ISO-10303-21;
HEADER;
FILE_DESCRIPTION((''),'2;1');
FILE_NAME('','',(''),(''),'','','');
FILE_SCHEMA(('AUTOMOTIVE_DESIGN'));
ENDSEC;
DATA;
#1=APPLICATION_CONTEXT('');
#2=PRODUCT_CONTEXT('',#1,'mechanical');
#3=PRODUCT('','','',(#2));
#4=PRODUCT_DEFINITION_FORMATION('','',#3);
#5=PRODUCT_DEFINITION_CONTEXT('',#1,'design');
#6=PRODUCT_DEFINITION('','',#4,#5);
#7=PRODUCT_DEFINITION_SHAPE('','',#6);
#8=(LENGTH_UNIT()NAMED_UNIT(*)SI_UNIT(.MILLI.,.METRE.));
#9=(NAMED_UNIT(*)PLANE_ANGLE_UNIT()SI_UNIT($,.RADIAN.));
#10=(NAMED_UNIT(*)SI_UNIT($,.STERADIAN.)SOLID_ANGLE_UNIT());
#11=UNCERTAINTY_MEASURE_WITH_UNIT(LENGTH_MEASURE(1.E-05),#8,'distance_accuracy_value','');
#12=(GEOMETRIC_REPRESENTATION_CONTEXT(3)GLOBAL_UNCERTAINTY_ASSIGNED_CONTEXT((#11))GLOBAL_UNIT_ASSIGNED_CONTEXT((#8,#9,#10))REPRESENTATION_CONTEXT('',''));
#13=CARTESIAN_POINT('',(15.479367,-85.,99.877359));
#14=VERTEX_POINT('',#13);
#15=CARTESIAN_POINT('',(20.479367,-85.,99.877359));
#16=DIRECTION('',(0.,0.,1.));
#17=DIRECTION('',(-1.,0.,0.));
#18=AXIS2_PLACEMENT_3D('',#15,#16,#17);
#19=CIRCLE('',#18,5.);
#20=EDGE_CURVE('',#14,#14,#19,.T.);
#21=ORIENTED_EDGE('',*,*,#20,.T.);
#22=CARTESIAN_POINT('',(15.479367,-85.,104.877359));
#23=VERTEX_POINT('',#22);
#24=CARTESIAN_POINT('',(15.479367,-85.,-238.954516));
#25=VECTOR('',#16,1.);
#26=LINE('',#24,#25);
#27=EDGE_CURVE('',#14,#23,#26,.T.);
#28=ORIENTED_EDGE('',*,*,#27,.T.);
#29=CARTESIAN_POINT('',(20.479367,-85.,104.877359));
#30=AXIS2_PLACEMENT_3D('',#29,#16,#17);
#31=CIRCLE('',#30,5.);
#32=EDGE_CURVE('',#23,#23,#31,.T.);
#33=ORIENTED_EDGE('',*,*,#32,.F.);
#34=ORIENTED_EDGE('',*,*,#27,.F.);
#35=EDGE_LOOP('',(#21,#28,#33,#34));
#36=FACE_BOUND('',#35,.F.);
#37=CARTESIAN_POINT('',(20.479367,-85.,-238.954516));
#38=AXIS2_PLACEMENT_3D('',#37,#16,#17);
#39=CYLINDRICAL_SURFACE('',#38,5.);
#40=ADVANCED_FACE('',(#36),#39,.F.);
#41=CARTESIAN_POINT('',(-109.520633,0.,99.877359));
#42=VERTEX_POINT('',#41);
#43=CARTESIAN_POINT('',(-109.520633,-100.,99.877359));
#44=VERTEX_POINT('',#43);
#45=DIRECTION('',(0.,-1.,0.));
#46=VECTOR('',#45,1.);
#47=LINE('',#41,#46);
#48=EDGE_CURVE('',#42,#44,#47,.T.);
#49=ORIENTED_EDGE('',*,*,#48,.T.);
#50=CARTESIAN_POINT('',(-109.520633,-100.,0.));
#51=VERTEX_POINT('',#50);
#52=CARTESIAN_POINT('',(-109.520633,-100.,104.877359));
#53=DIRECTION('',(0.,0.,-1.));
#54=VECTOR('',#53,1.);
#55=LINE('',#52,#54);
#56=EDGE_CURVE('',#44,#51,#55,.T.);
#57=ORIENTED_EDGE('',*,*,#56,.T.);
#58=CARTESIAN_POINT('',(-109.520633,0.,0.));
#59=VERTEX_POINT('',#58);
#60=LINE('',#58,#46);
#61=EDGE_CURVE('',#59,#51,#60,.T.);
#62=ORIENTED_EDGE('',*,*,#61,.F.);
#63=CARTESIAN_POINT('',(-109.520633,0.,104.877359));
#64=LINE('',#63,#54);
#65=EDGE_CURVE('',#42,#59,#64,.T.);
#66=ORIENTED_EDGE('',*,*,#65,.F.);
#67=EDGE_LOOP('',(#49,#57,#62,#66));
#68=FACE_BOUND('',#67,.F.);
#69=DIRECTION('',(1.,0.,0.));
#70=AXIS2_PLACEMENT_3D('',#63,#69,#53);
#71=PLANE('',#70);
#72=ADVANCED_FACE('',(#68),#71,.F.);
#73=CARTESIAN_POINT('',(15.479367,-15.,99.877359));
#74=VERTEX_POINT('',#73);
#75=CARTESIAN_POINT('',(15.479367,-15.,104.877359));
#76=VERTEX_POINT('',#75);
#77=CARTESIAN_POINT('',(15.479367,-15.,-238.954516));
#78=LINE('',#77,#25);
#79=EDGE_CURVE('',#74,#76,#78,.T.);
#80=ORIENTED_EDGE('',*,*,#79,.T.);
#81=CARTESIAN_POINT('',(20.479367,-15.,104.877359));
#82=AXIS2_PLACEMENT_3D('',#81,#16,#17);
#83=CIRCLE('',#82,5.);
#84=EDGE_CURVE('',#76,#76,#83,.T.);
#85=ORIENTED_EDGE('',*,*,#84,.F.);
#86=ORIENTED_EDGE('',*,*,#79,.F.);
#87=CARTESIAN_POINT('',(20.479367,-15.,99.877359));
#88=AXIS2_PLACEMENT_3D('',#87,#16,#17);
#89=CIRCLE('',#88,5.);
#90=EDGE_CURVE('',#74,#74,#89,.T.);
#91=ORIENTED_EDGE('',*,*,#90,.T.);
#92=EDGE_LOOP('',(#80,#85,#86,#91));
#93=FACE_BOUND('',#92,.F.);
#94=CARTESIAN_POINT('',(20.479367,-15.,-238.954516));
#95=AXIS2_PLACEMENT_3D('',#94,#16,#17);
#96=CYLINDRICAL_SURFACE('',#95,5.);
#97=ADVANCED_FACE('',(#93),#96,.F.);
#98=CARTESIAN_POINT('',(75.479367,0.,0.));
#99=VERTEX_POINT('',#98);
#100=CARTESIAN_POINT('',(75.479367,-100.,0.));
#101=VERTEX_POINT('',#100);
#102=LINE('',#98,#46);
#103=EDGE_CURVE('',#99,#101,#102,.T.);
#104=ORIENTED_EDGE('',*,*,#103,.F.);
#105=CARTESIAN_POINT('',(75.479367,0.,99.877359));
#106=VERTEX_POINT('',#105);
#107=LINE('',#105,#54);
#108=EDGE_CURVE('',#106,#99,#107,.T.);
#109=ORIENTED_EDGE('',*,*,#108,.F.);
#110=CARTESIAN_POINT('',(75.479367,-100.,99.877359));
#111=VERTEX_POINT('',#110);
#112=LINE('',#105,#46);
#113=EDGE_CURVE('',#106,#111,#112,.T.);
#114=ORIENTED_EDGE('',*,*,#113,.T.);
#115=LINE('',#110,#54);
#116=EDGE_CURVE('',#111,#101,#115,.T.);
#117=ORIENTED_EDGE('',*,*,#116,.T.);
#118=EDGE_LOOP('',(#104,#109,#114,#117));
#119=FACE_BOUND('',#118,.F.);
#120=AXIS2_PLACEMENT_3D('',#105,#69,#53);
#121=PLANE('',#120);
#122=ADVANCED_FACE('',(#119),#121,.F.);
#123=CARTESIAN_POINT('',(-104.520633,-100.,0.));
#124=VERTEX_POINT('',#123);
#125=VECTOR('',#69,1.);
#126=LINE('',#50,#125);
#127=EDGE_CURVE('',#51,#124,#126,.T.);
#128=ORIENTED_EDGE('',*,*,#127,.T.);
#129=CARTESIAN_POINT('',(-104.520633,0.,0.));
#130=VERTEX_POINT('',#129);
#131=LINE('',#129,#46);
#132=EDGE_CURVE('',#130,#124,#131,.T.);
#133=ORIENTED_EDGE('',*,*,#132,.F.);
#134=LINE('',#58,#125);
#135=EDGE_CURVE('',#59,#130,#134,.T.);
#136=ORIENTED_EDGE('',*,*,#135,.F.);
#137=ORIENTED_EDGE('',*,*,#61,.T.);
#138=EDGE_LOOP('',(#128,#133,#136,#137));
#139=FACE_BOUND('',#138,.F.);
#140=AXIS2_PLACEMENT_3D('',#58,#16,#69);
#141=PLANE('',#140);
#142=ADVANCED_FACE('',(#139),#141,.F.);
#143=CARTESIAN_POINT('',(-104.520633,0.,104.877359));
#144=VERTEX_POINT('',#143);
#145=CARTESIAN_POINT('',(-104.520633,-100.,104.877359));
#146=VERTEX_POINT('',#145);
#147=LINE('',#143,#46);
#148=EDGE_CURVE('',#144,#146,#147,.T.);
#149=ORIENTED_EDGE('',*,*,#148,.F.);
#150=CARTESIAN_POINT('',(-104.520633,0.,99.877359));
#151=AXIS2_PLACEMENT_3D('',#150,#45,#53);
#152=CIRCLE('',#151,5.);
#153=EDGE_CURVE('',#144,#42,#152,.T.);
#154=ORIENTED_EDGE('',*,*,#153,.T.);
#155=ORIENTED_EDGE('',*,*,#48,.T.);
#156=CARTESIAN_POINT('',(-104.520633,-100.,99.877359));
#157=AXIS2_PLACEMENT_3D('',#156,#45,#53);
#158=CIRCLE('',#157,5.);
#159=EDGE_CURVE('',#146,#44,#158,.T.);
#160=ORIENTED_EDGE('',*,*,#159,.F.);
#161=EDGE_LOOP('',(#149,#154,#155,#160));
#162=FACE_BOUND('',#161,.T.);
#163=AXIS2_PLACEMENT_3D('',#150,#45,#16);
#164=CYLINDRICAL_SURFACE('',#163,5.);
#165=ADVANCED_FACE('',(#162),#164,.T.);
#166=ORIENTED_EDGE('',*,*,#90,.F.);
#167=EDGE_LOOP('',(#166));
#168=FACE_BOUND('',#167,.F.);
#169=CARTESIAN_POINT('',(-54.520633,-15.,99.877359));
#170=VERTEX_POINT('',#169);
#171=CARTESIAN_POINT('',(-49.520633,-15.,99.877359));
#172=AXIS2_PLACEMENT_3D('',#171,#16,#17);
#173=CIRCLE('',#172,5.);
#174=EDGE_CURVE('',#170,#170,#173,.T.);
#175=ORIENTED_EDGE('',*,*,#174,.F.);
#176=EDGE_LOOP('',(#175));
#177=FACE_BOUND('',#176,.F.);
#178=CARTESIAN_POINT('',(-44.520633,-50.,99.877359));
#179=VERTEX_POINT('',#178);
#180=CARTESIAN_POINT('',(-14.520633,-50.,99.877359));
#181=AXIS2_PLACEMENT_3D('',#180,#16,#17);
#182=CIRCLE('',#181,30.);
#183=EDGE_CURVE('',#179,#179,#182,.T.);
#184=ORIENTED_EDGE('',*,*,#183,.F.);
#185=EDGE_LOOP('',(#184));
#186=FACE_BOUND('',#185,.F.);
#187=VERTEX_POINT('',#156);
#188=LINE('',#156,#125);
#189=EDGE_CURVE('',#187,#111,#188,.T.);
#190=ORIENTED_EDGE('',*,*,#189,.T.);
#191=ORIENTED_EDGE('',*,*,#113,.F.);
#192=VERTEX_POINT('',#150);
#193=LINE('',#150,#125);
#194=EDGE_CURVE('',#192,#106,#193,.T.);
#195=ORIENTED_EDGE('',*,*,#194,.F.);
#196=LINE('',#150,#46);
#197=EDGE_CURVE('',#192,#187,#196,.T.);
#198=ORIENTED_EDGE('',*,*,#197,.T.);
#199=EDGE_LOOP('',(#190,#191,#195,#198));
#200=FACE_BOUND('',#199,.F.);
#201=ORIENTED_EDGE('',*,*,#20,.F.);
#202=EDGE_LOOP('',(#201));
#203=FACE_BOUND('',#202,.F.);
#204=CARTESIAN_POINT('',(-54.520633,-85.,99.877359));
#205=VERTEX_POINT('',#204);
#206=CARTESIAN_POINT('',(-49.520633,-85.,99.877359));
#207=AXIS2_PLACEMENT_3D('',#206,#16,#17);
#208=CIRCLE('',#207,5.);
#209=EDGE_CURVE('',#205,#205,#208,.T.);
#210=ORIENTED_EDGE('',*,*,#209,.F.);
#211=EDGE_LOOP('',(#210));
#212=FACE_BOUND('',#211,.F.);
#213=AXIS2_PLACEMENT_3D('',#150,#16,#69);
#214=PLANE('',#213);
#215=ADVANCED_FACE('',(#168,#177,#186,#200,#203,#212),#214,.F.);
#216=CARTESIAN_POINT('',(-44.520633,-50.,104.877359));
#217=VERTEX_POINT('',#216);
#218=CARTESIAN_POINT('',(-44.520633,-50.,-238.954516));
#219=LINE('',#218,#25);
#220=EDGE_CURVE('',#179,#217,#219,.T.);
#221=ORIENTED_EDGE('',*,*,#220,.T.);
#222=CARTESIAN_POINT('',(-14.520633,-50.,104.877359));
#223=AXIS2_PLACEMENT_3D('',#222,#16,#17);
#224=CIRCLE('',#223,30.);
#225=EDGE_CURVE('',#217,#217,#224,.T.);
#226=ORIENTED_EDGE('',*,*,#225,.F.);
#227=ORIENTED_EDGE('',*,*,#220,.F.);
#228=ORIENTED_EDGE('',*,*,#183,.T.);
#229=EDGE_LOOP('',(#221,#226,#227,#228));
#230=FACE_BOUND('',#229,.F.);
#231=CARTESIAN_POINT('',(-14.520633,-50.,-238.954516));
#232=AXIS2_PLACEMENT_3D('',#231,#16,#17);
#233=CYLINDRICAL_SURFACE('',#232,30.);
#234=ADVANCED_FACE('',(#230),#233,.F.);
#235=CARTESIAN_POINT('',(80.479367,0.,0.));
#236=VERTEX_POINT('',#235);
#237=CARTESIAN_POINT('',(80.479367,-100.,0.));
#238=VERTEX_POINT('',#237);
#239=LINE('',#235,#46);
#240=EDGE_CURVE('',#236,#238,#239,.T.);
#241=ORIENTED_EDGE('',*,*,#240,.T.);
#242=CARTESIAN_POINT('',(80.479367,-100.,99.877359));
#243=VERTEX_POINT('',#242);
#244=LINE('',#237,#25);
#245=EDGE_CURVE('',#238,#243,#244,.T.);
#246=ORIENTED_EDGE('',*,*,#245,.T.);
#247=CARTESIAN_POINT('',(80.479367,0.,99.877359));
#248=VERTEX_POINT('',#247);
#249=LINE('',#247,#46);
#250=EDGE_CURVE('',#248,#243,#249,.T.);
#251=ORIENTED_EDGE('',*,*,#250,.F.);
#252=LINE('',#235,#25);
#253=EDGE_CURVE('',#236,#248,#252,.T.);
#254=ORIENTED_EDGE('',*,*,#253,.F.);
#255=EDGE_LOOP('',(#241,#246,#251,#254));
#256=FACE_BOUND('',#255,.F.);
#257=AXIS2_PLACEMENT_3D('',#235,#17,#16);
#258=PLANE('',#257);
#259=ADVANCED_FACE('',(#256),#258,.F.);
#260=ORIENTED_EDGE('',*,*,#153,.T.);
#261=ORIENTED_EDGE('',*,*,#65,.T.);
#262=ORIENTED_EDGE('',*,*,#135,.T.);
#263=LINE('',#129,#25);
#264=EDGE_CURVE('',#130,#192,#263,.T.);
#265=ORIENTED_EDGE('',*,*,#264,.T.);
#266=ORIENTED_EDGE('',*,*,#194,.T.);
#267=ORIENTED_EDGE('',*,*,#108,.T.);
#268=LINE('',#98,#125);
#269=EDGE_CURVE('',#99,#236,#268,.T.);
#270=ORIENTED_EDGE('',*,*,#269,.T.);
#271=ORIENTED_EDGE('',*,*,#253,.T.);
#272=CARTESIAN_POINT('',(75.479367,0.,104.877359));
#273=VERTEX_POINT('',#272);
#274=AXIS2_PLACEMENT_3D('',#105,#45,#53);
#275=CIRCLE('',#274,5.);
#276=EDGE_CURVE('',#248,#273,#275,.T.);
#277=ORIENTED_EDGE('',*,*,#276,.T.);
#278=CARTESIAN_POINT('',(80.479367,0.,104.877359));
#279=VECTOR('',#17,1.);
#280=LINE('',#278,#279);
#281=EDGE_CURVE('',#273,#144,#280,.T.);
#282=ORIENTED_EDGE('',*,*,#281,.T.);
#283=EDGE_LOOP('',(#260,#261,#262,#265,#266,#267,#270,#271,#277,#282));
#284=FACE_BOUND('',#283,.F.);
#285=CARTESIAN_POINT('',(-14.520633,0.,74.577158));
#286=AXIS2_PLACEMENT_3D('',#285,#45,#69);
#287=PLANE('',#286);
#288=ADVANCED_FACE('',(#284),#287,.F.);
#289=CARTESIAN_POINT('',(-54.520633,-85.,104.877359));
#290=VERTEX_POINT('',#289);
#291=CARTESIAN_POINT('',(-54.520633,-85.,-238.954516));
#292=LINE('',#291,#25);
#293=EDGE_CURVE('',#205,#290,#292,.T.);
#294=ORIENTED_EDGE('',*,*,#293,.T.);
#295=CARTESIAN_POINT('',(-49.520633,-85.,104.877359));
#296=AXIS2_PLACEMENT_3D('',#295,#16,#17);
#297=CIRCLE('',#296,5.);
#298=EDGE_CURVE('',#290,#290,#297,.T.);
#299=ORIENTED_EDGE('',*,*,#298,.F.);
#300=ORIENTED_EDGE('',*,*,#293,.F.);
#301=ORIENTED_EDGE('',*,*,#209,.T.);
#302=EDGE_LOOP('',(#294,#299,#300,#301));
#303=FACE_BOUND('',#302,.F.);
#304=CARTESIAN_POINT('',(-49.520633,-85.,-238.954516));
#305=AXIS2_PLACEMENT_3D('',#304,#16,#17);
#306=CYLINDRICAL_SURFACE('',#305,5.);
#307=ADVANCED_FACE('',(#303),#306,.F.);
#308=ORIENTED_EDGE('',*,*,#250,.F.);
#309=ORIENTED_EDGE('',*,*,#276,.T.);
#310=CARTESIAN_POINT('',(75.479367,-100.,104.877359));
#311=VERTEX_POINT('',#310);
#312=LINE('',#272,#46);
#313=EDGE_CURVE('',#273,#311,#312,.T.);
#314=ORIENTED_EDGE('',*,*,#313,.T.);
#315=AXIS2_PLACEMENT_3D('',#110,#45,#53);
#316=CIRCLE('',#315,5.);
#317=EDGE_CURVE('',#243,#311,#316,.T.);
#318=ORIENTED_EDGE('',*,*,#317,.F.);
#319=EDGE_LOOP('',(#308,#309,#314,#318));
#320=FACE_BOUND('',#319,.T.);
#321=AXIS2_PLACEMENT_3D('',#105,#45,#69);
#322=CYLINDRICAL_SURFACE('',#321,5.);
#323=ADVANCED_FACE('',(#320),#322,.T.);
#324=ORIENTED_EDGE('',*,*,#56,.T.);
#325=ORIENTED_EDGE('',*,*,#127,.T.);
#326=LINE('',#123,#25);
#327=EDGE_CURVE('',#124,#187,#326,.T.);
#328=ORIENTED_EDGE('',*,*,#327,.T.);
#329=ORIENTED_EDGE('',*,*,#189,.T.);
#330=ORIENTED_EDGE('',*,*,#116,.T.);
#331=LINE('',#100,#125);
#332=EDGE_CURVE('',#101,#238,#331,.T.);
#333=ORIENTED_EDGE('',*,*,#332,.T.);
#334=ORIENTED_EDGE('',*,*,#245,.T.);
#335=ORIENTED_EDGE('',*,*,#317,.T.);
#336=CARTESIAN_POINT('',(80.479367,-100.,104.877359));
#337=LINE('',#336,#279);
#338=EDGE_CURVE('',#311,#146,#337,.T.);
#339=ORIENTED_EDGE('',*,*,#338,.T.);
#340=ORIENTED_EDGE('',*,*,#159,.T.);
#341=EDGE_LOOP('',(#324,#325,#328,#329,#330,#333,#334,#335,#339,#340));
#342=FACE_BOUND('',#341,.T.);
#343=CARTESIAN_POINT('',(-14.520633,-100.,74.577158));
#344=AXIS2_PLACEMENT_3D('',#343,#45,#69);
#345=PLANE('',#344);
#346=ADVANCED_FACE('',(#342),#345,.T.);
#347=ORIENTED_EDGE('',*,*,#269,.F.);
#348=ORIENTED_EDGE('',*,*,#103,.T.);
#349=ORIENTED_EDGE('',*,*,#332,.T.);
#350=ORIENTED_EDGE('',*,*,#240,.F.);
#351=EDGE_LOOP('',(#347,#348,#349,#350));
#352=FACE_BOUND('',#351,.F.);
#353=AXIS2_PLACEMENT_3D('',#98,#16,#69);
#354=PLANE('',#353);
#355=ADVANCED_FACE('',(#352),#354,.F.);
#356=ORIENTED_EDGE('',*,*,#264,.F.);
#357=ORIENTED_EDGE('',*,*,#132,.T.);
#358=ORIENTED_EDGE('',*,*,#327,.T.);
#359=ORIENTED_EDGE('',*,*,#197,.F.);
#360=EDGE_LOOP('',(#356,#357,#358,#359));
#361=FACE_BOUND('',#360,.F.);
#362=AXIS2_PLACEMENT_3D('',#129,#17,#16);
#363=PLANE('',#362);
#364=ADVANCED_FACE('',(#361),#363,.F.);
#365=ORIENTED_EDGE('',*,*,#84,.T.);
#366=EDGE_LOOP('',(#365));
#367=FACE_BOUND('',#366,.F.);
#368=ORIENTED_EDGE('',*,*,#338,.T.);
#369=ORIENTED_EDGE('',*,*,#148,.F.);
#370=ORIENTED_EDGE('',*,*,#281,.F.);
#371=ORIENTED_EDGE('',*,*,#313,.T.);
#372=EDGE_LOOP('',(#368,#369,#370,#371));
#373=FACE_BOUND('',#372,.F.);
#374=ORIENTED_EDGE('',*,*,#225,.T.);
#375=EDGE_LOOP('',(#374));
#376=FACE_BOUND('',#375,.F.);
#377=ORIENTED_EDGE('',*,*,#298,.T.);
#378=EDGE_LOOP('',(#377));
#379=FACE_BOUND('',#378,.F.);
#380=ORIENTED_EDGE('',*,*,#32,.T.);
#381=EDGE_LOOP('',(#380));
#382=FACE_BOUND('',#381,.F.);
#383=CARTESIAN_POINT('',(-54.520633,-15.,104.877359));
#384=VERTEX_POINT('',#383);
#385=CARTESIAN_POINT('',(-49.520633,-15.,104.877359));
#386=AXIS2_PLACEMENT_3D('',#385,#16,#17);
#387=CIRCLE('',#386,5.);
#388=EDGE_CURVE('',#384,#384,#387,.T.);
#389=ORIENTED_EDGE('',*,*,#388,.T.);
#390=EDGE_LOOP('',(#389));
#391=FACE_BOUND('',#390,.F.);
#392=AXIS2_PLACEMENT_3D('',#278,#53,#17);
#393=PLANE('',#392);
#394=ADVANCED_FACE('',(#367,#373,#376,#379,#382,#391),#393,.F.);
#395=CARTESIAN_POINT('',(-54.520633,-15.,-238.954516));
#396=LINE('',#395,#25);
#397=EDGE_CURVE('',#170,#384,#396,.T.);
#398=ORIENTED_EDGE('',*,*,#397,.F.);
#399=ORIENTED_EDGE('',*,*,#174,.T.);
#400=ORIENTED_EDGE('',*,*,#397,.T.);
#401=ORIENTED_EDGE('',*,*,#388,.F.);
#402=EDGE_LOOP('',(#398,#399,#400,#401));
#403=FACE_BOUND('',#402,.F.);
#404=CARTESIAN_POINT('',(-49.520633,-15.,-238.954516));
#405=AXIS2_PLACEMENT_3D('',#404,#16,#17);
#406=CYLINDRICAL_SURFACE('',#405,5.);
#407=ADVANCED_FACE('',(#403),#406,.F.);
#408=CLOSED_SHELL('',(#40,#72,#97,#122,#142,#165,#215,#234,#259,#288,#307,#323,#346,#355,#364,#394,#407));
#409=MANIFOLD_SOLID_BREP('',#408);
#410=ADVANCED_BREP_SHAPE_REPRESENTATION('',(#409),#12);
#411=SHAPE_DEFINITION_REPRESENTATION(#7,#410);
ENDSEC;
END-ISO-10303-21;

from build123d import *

# Parameters (mm, degrees)
F1_DEPTH = 100
F2_R     = 5
F4_D     = 60
F6_D     = 10


with BuildPart() as f1:
    # F0 (on Front) → F1 (new body)
    with BuildSketch(Plane.XZ):
        Polygon((-109.5206329271, 0), (-104.5206329271, 0), (-104.5206329271, 99.8773593255), (75.4793670729, 99.8773593255), (75.4793670729, 0), (80.4793670729, 0), (80.4793670729, 104.8773593255), (-109.5206329271, 104.8773593255), align=None)
    extrude(amount=F1_DEPTH)

    # F2
    f2_edges = [f1.edges().sort_by_distance(p)[0] for p in [
        (80.479367, -50, 104.877359),
        (-109.520633, -50, 104.877359),
    ]]
    fillet(f2_edges, radius=F2_R)

    # F4 (through all)
    with Locations(Plane(origin=(0, 0, 0), x_dir=(1, 0, 0), z_dir=(0, 0, -1))):
        with Locations((-14.5206329271, 50)):
            Hole(F4_D / 2)

    # F6 (through all)
    with Locations(Plane(origin=(0, 0, 0), x_dir=(1, 0, 0), z_dir=(0, 0, -1))):
        with Locations((-49.5206329271, 15), (20.4793670729, 15), (20.4793670729, 85), (-49.5206329271, 85)):
            Hole(F6_D / 2)


solid = f1.part
